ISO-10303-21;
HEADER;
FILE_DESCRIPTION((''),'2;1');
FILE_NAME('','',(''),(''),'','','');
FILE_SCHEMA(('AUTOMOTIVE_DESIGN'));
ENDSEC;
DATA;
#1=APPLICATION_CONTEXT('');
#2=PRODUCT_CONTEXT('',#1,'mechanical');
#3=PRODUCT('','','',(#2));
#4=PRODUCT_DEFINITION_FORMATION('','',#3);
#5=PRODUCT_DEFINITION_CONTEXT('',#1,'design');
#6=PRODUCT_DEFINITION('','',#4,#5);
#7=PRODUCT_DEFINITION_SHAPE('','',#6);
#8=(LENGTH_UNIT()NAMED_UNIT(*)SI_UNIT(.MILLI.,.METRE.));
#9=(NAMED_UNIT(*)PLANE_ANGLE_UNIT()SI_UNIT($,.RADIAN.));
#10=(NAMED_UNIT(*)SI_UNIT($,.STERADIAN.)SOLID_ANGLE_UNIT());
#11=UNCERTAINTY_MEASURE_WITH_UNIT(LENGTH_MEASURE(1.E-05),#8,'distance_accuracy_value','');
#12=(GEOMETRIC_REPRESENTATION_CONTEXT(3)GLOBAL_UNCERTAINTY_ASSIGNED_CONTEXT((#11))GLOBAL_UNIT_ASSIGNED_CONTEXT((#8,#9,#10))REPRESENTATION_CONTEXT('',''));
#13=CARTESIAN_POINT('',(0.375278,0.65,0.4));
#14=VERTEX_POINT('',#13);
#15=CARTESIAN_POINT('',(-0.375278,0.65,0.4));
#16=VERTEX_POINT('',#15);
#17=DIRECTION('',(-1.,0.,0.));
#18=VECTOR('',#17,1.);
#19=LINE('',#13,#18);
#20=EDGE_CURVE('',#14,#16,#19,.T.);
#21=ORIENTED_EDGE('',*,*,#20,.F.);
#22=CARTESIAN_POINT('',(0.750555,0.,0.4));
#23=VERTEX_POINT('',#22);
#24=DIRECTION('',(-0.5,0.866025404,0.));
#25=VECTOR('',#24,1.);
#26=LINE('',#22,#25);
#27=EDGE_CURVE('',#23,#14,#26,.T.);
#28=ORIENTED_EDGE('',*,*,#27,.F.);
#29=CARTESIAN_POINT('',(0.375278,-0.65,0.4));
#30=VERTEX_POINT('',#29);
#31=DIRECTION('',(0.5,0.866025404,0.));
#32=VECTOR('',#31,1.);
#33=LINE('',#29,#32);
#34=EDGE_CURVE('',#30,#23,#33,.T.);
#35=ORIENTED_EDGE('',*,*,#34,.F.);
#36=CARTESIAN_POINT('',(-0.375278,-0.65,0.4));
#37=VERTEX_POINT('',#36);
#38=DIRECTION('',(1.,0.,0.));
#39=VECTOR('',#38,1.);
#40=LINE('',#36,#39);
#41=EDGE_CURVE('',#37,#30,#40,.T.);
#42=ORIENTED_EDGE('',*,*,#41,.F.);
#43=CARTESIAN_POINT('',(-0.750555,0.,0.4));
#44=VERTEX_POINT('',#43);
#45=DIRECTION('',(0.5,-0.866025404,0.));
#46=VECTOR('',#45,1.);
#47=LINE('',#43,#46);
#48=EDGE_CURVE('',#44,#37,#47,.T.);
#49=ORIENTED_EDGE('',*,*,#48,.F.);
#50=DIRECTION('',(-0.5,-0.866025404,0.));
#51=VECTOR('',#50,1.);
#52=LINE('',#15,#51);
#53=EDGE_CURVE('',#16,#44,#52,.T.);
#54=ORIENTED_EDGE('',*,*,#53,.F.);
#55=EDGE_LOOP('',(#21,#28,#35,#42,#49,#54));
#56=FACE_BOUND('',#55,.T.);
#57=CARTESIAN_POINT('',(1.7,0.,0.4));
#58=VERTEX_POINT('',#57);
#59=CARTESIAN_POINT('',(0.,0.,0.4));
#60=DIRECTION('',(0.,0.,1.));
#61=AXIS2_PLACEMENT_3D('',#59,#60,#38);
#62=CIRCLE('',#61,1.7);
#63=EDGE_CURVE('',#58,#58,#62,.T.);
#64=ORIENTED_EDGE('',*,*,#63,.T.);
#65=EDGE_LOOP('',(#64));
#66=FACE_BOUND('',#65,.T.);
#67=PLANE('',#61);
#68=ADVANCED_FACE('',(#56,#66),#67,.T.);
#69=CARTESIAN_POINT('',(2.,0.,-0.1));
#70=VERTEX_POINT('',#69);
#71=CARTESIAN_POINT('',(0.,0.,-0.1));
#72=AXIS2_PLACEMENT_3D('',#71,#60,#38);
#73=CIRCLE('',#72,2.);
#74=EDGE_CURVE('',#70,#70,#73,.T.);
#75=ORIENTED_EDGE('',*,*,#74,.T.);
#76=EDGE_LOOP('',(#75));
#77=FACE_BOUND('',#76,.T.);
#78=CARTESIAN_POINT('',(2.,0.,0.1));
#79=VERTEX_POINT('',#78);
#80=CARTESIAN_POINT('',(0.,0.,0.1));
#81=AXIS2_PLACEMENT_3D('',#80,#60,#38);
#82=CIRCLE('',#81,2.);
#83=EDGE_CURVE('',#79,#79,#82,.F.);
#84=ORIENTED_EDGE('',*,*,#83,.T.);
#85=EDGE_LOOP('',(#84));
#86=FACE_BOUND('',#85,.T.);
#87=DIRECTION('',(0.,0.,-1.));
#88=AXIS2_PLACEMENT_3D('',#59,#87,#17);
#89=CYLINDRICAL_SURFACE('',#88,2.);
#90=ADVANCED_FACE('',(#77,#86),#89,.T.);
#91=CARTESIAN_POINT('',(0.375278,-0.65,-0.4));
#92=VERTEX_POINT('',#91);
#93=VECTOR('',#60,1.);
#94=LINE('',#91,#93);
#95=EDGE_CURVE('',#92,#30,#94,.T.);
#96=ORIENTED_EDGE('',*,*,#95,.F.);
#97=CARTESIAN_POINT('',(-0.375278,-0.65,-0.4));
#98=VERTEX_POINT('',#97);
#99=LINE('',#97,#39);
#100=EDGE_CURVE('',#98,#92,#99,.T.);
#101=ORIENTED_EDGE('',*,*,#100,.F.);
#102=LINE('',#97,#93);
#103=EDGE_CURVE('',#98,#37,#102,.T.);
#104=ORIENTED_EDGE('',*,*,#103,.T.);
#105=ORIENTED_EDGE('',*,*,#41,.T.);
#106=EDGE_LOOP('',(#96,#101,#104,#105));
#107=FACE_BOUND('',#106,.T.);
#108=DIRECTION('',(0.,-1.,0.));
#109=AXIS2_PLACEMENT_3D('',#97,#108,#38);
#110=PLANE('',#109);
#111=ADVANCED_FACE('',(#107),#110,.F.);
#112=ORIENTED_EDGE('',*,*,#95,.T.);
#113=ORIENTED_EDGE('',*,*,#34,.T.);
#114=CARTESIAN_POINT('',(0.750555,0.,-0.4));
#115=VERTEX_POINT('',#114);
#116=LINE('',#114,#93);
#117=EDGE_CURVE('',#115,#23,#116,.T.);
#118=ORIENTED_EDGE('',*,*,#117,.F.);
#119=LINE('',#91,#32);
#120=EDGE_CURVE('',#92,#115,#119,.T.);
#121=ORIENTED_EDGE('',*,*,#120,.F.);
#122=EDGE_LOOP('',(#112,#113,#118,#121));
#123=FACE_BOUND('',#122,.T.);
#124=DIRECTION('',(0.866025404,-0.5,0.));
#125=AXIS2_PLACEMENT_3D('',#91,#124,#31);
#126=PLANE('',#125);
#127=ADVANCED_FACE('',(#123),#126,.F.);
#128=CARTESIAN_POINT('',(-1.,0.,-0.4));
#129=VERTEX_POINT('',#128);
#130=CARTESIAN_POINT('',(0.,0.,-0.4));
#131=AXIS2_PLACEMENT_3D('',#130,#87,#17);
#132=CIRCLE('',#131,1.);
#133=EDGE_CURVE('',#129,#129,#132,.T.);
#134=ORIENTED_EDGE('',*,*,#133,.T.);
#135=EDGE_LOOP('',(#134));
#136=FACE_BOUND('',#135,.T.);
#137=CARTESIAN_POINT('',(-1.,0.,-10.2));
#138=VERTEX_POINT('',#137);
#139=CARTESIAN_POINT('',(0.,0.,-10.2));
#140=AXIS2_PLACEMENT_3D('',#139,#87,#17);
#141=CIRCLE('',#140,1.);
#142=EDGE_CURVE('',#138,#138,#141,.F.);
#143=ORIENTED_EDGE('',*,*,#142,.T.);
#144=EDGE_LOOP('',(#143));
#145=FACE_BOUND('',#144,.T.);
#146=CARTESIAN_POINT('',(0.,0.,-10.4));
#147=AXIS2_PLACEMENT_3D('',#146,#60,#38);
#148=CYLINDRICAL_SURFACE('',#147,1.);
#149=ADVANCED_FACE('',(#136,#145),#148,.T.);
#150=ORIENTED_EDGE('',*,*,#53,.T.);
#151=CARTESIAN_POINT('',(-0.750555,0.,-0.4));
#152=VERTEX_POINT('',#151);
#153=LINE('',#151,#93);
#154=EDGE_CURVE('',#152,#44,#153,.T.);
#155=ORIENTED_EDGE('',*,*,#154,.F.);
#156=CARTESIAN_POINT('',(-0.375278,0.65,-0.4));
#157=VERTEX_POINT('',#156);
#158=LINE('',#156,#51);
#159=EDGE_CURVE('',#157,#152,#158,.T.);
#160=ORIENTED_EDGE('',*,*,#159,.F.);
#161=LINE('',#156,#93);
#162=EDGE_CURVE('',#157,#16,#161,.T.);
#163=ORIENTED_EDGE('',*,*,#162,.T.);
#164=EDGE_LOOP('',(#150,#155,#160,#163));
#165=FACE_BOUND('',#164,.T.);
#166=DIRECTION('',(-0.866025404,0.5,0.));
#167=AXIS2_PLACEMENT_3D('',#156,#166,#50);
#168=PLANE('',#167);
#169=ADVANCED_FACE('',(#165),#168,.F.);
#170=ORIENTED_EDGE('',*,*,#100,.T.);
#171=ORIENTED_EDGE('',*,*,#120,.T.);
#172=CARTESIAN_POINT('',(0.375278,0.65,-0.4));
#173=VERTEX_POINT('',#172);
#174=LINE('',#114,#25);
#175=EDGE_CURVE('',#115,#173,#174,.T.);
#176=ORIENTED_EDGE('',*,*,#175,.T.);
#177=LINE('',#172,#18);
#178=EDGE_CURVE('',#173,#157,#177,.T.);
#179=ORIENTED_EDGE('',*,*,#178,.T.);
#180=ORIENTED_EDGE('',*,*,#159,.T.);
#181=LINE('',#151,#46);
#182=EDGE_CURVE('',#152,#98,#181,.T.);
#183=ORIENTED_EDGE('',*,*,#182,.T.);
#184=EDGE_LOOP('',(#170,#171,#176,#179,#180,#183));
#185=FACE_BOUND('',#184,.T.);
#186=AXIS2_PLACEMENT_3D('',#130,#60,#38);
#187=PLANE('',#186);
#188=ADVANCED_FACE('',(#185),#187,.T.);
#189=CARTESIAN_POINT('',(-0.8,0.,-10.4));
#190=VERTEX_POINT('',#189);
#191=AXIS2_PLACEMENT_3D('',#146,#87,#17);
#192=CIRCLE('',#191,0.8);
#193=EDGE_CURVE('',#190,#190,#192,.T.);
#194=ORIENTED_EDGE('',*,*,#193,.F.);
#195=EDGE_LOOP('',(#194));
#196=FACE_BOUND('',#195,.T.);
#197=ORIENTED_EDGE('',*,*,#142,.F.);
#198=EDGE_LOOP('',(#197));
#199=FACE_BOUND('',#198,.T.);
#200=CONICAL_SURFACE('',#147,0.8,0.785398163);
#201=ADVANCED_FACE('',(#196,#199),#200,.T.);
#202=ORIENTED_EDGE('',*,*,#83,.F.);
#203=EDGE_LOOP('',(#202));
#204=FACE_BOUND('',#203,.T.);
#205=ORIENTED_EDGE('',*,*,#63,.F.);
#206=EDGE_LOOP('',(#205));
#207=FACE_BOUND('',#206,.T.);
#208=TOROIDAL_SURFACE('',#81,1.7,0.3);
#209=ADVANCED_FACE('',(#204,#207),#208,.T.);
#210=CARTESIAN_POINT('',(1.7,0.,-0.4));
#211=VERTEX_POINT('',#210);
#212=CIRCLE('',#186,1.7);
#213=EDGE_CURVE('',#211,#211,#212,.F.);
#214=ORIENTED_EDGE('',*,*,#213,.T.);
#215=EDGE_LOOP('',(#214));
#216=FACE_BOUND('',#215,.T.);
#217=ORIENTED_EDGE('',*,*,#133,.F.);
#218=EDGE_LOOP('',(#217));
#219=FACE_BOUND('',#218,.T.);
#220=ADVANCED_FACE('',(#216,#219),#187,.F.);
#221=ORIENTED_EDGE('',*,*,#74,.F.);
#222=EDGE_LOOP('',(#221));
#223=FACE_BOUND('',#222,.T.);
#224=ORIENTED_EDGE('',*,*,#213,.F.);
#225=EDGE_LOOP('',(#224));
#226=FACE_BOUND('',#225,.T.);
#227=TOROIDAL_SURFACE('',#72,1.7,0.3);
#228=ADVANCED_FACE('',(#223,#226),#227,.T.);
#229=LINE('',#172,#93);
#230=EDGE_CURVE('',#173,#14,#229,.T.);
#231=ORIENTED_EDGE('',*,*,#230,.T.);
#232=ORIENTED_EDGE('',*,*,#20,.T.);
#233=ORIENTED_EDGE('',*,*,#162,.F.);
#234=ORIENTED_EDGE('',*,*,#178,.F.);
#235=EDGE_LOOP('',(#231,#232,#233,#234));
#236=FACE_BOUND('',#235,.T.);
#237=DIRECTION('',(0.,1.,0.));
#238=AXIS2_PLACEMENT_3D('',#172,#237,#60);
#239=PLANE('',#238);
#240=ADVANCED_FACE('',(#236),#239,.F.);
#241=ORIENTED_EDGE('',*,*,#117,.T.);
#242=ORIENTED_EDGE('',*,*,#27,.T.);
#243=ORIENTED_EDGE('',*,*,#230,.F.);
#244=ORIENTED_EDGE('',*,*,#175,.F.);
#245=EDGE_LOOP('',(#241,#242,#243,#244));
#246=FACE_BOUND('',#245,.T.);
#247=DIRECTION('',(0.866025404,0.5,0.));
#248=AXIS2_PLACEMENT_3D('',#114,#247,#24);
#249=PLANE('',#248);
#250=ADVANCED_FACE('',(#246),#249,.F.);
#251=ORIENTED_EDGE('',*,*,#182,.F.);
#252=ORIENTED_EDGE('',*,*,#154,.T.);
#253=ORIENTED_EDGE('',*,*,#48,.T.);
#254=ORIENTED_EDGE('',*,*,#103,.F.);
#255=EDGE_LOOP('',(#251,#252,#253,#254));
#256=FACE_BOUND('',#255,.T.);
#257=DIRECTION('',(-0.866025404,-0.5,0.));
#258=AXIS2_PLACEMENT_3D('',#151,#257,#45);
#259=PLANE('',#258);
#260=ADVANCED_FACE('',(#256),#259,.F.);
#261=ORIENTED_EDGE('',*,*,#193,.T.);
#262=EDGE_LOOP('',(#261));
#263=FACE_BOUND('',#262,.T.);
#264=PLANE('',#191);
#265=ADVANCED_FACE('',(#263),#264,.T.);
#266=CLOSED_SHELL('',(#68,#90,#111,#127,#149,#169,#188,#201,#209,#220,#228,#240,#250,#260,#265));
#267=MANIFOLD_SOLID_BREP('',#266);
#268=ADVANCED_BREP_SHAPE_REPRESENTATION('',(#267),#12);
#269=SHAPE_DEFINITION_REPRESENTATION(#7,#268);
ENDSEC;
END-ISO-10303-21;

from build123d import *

# Parameters (mm, degrees)
SKETCH_1_R          = 2
EXTRUDE_1_DEPTH     = 0.4
SKETCH_2_R          = 1
EXTRUDE_2_DEPTH     = 10
CHAMFER_1_SIZE      = 0.2
CUT_EXTRUDE_1_DEPTH = 0.8
FILLET_2_R          = 0.3


with BuildPart() as part:
    # 草图1 → 凸台-拉伸1 (new body, symmetric)
    with BuildSketch(Plane.XY):
        Circle(SKETCH_1_R)
    extrude(amount=EXTRUDE_1_DEPTH, both=True)

    # 草图2 → 凸台-拉伸2 (add)
    with BuildSketch(Plane(origin=(0, 0, -0.4), x_dir=(-1, 0, 0), z_dir=(0, 0, -1))):
        Circle(SKETCH_2_R)
    extrude(amount=EXTRUDE_2_DEPTH)

    # 倒角1
    chamfer_1_edges = [part.edges().sort_by_distance(p)[0] for p in [
        (1, 0, -10.4),
    ]]
    chamfer(chamfer_1_edges, length=CHAMFER_1_SIZE)

    # 草图3 → 切除-拉伸1 (cut)
    with BuildSketch(Plane.XY.offset(0.4)):
        Polygon((0.75055535, 0), (0.375277675, 0.65), (-0.375277675, 0.65), (-0.75055535, 0), (-0.375277675, -0.65), (0.375277675, -0.65), align=None)
    extrude(amount=-CUT_EXTRUDE_1_DEPTH, mode=Mode.SUBTRACT)

    # 圆角2
    fillet_2_edges = [part.edges().sort_by_distance(p)[0] for p in [
        (-2, 0, -0.4),
        (-2, 0, 0.4),
    ]]
    fillet(fillet_2_edges, radius=FILLET_2_R)


solid = part.part
